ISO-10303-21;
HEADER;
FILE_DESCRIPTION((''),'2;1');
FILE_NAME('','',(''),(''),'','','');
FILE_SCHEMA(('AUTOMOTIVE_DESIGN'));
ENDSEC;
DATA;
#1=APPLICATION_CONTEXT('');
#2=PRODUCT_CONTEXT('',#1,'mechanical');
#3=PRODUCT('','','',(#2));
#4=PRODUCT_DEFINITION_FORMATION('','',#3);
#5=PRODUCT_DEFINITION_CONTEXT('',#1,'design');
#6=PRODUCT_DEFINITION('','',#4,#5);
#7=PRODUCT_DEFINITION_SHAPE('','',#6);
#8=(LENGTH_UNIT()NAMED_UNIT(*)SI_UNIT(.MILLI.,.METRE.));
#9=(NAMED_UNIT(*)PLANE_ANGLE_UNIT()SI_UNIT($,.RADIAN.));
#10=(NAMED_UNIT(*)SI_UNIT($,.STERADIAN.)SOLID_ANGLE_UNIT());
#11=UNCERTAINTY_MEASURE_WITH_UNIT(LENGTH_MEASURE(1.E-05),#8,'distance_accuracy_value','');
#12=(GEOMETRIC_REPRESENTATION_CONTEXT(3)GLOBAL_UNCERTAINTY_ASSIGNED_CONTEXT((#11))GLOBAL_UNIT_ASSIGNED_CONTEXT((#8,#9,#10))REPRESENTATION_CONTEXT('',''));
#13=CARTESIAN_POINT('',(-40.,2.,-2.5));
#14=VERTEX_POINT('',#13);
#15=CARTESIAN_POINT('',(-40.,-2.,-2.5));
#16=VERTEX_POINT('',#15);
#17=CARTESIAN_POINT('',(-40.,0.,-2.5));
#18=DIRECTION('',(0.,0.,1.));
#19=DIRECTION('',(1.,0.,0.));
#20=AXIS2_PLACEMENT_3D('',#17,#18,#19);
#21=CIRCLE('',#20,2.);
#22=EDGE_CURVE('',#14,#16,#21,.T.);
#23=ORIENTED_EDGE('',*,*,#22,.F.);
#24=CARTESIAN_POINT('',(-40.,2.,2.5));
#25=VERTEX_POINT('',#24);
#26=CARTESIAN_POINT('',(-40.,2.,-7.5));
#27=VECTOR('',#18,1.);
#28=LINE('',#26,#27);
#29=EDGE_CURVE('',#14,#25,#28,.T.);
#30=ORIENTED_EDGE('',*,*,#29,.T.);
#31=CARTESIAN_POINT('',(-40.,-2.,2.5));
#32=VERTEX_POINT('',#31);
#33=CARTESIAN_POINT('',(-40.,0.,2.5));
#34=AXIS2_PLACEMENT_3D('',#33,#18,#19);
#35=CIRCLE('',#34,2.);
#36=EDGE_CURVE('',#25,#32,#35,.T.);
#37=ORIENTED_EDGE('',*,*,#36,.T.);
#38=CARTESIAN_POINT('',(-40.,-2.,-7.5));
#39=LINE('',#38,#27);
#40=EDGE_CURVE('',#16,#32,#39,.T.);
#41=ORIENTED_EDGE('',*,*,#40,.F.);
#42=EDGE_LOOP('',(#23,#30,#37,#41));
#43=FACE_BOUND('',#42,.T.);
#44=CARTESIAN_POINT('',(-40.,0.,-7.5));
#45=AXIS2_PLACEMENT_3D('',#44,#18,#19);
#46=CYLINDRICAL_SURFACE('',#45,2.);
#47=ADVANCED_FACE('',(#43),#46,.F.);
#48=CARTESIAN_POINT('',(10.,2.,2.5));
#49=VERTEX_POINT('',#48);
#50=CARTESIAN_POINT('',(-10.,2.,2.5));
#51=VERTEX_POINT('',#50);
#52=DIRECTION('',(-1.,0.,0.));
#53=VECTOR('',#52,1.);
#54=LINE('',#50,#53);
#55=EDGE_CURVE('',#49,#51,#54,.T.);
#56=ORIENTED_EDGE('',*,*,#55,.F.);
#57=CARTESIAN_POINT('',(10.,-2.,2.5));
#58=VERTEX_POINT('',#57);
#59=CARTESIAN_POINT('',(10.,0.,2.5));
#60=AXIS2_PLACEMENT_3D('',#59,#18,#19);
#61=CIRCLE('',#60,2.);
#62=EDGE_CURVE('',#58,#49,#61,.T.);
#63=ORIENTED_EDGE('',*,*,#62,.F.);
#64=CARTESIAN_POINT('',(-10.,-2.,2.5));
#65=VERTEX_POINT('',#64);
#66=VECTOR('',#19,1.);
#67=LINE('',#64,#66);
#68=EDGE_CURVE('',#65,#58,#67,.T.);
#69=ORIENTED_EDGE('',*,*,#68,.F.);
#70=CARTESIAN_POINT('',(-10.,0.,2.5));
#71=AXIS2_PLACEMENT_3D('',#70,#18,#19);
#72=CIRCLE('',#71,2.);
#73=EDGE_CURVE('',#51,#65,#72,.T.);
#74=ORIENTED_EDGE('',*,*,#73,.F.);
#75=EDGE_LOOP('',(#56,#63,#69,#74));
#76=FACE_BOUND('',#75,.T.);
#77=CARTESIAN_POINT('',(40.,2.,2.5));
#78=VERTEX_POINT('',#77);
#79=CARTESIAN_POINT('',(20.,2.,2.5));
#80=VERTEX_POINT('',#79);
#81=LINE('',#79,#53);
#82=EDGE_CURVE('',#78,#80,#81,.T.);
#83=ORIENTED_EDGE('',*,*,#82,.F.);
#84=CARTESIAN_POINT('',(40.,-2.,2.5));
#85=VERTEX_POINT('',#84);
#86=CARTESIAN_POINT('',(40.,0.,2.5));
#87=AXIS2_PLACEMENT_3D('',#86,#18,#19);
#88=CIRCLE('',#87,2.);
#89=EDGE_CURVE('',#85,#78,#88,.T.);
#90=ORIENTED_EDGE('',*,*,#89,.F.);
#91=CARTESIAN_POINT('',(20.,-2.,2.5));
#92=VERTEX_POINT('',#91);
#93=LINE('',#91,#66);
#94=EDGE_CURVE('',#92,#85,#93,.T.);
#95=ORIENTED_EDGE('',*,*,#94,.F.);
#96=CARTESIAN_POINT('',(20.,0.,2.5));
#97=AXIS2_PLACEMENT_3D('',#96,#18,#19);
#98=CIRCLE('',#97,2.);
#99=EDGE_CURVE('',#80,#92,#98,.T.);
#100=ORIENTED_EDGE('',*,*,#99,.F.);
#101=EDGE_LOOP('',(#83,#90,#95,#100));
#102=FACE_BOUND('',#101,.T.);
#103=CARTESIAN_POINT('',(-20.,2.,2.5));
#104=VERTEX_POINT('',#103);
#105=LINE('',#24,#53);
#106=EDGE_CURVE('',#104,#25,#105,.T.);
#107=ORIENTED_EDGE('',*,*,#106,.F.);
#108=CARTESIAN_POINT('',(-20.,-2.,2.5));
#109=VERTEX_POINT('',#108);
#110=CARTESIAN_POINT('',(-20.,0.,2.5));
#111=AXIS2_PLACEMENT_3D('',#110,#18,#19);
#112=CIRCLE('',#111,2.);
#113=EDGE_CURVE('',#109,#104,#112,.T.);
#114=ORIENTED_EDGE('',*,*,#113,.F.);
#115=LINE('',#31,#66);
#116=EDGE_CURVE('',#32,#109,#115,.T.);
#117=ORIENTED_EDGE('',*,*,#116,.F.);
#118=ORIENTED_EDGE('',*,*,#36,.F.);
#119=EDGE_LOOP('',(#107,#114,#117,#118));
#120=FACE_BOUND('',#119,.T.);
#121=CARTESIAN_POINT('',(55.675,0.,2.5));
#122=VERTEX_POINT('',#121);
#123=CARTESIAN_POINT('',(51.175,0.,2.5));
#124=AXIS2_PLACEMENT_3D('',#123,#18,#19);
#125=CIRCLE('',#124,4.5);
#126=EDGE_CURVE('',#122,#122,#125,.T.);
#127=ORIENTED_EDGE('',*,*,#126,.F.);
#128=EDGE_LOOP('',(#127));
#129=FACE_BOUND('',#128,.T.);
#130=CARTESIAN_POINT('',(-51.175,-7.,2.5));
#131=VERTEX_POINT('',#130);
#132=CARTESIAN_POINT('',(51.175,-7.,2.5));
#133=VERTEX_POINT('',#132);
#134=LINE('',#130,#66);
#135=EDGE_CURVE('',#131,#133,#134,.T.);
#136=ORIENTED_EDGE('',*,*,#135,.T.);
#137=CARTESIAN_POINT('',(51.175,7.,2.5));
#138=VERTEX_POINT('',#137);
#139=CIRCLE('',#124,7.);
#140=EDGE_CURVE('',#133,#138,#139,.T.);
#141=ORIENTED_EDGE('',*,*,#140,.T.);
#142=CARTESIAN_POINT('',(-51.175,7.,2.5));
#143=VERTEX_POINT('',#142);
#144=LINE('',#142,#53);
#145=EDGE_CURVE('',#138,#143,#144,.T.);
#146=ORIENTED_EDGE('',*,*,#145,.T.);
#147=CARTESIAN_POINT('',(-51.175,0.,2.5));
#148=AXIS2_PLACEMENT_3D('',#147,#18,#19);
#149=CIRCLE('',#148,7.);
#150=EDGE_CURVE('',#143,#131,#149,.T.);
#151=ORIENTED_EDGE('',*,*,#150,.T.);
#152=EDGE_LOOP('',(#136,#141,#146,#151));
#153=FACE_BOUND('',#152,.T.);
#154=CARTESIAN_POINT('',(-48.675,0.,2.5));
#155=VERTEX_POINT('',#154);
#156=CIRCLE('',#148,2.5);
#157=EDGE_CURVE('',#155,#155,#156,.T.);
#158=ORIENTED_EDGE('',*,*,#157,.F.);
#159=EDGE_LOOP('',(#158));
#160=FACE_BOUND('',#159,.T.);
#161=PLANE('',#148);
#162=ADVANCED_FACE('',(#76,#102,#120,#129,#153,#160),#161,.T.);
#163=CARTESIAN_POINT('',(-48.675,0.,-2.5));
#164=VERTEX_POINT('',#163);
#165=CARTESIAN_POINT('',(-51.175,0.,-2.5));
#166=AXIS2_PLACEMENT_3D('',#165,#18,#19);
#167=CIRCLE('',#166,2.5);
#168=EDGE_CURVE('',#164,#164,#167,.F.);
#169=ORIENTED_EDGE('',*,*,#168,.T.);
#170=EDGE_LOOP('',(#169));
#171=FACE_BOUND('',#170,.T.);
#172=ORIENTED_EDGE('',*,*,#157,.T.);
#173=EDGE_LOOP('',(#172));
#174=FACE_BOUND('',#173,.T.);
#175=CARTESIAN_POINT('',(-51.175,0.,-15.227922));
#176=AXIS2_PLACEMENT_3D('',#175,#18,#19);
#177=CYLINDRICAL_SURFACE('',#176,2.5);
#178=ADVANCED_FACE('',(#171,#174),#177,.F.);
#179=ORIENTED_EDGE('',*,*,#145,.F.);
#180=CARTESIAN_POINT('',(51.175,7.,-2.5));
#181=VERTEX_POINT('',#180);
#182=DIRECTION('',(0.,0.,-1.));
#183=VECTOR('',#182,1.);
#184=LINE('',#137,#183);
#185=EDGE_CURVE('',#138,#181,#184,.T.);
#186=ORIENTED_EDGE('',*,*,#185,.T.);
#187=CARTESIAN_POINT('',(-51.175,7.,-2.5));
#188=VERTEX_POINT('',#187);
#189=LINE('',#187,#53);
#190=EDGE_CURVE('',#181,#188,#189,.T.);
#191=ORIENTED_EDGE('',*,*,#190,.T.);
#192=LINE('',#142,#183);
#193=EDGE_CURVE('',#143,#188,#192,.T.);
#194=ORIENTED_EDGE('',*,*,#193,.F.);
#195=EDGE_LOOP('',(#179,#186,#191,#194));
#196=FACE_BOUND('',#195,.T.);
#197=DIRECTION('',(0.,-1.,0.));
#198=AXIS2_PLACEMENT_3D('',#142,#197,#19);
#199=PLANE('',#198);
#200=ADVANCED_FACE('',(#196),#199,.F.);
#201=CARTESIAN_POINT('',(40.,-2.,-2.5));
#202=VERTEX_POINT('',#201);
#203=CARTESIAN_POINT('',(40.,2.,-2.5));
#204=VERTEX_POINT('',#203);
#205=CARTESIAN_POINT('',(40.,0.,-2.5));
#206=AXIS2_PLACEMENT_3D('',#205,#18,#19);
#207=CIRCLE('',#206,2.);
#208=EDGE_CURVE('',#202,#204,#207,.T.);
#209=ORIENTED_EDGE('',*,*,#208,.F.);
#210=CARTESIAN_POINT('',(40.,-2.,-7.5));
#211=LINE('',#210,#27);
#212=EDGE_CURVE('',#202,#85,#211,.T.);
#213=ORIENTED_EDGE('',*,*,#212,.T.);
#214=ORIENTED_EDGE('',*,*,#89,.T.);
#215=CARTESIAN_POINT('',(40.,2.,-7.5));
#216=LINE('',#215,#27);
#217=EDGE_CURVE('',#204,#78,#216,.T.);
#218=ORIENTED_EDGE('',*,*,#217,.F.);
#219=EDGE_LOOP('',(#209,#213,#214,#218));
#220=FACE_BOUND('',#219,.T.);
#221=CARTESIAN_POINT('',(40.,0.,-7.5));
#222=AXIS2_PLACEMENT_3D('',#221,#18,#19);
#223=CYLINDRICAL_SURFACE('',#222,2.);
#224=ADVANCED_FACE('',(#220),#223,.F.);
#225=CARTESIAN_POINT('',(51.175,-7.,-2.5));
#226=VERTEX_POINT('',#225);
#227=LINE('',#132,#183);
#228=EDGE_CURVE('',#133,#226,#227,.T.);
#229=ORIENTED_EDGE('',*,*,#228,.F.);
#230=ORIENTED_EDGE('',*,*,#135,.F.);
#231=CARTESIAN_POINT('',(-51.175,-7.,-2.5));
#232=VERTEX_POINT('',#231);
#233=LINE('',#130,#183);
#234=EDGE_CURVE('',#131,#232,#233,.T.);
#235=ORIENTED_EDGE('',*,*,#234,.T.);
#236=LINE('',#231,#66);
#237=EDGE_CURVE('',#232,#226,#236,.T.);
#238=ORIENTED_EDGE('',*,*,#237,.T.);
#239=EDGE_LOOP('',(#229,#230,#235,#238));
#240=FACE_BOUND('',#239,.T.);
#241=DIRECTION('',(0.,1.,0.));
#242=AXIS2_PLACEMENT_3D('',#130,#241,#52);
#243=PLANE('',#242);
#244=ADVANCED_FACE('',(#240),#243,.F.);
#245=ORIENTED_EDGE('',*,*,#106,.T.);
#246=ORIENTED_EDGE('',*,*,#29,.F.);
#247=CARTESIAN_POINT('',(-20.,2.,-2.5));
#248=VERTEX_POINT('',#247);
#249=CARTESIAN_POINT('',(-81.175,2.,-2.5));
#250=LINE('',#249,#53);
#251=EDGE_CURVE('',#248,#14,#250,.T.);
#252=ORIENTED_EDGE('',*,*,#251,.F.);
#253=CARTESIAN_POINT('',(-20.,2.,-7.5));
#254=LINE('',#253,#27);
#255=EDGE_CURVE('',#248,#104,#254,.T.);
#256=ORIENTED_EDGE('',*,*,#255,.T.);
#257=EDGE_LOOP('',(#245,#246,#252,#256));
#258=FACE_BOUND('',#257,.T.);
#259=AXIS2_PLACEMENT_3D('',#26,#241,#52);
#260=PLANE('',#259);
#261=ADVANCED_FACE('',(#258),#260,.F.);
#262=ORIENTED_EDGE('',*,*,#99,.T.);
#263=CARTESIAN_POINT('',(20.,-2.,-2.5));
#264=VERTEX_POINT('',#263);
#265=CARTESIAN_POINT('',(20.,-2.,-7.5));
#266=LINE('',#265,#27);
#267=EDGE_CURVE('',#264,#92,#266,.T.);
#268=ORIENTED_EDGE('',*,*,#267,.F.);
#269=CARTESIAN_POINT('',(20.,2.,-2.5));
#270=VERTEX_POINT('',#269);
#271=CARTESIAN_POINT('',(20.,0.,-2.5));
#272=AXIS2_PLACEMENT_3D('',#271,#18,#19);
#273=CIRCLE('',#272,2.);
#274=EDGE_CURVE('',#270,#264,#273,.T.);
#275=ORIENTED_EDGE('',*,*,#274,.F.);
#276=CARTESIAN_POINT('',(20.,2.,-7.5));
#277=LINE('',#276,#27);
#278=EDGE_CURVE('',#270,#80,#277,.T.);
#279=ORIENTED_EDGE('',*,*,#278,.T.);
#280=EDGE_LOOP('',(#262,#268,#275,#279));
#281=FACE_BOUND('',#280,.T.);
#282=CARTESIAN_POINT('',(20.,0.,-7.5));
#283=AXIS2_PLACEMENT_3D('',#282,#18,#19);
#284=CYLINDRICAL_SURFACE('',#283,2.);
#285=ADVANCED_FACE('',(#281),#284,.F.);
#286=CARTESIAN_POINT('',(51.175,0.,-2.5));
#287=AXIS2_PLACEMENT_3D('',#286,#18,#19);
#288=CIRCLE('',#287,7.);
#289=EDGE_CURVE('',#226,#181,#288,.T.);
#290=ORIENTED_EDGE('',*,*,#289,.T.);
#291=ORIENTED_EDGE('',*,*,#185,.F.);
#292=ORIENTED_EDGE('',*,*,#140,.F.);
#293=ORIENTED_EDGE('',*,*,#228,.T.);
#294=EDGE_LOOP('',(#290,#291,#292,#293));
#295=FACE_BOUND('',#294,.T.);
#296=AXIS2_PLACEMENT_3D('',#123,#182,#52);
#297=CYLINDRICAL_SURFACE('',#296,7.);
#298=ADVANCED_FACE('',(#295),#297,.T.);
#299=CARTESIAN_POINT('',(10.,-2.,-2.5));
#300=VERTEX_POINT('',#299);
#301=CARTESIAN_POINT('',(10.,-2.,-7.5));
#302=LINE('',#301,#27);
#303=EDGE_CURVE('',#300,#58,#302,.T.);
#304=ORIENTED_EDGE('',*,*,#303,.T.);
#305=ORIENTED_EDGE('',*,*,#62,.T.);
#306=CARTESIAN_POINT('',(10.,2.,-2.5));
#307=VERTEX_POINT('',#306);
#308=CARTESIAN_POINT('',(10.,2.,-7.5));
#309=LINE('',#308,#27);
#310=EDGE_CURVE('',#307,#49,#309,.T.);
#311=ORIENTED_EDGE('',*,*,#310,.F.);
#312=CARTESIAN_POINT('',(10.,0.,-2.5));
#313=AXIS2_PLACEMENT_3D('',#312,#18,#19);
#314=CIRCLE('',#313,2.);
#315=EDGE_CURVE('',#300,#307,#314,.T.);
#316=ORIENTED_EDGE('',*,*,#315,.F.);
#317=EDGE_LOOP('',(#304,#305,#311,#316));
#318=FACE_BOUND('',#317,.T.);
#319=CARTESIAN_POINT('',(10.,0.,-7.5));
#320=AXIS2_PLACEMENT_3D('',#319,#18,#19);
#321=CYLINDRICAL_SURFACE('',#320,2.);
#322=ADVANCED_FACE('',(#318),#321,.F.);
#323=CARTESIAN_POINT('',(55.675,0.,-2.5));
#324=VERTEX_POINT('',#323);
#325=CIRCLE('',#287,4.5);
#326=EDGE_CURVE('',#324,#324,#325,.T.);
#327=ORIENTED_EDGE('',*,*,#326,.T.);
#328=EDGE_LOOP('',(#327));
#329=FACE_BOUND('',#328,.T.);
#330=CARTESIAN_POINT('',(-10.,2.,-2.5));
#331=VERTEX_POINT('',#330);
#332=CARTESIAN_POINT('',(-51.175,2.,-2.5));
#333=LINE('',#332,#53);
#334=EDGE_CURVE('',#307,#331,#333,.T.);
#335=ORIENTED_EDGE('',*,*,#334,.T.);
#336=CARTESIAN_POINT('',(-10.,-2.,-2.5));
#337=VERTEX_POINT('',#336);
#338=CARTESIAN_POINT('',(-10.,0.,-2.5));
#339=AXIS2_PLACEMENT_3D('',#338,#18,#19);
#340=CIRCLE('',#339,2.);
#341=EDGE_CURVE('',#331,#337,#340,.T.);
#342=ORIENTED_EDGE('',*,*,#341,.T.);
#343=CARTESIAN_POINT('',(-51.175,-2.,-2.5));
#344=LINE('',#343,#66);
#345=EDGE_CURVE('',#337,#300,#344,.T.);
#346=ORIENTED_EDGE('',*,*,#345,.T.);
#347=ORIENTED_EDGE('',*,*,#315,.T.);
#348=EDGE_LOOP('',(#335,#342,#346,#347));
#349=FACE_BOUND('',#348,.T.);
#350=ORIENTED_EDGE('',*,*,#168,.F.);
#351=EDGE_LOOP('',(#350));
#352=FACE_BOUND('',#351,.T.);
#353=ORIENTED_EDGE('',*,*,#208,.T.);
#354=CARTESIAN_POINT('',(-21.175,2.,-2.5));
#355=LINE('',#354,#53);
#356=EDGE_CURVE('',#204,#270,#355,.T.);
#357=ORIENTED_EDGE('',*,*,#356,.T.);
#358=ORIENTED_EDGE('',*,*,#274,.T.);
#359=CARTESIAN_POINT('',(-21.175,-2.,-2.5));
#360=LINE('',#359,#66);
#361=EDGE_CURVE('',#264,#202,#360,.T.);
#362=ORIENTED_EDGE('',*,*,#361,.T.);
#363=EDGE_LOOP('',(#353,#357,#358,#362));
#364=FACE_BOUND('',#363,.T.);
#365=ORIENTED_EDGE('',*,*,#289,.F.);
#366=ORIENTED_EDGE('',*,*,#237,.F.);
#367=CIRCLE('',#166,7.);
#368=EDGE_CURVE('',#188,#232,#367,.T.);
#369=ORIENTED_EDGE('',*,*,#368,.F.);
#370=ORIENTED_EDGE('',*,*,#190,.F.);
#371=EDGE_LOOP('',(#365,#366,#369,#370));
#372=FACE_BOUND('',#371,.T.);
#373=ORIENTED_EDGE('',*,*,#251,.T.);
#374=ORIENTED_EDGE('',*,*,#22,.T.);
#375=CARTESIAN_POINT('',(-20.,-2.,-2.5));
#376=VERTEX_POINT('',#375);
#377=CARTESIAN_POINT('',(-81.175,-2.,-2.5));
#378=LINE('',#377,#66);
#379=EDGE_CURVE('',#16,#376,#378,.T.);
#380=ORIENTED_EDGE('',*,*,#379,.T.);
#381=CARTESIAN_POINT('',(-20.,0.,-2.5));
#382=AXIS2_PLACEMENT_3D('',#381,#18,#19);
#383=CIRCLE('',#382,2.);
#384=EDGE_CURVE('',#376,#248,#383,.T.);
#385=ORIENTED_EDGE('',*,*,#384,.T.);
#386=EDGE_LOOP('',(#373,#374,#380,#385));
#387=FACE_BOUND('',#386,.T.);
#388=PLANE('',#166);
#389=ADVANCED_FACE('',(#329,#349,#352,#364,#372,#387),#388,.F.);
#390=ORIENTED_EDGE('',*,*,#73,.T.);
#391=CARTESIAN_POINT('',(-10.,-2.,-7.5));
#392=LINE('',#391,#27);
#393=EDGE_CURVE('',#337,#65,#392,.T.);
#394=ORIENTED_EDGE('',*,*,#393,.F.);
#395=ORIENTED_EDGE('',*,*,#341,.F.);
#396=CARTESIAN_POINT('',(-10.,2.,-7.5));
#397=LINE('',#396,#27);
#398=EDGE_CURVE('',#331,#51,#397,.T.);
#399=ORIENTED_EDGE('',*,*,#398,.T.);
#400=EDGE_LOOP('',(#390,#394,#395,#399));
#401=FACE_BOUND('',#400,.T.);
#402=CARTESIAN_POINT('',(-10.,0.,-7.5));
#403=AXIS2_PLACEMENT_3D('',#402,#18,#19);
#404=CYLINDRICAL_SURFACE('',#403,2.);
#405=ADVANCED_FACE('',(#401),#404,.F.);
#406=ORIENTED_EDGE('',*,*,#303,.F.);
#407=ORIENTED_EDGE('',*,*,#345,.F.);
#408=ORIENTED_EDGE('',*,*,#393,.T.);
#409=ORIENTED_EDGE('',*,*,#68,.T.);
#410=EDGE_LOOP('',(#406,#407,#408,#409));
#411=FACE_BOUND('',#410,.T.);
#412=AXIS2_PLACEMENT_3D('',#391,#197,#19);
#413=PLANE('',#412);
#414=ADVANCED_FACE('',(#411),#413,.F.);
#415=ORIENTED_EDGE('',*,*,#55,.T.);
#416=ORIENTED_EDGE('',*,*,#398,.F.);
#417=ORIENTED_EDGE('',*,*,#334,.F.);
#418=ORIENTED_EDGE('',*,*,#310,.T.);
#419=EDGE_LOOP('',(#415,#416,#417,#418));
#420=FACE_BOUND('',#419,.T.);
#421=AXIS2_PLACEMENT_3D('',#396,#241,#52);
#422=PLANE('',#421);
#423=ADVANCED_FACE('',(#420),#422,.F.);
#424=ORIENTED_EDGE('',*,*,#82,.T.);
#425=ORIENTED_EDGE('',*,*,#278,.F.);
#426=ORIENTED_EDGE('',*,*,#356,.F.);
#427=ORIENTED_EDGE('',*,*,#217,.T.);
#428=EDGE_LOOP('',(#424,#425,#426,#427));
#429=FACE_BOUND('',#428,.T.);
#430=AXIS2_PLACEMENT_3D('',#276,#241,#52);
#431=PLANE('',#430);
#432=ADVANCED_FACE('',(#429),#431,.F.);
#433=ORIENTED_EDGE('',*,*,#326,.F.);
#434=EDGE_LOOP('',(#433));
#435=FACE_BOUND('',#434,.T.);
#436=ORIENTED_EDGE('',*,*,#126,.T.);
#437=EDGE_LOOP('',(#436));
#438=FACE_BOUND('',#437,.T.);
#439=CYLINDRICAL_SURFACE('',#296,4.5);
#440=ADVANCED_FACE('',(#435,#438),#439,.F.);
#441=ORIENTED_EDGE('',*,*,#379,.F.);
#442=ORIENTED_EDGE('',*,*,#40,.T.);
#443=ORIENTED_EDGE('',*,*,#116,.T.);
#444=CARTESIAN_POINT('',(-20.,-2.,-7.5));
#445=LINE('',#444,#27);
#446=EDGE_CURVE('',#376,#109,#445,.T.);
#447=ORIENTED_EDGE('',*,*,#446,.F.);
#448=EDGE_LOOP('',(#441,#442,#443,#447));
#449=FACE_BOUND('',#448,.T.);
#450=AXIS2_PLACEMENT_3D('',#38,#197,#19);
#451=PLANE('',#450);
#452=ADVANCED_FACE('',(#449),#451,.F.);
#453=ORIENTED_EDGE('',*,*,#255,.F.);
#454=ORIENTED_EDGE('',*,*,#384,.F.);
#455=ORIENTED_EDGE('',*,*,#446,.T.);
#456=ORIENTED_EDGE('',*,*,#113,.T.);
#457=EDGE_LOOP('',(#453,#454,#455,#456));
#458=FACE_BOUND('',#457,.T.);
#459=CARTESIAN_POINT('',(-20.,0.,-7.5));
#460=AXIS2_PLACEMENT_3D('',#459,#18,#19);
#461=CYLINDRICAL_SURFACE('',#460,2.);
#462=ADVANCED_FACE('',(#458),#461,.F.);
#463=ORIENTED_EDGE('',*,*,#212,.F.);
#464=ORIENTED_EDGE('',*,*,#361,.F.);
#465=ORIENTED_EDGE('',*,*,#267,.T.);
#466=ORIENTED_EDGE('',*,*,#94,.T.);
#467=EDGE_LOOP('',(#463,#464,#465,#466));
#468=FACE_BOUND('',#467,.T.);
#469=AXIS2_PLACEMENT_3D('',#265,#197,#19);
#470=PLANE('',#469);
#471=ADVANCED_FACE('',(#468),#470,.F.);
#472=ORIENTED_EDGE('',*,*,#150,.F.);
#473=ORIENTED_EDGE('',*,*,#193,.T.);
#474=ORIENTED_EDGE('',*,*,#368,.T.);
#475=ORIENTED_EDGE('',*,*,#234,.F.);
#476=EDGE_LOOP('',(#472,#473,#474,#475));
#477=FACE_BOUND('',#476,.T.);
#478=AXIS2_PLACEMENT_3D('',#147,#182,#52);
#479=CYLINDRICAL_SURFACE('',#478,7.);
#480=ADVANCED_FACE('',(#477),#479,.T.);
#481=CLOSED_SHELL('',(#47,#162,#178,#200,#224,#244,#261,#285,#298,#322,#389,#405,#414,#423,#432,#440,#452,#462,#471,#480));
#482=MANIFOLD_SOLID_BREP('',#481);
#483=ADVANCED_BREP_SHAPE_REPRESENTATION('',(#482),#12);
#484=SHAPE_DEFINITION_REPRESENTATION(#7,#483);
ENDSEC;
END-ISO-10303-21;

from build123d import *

# Parameters (mm, degrees)
SKETCH_2_R                 = 4.5
EXTRUDE_1_DEPTH            = 2.5
CUT_EXTRUDE_1_DEPTH        = 10
PATTERN_LINEAR_1_COUNT     = 2
PATTERN_LINEAR_1_PITCH     = 30
PATTERN_LINEAR_1_COL_COUNT = 2
PATTERN_LINEAR_1_COL_PITCH = 30
EXTRUDE_START              = -5
SKETCH_5_R                 = 4.5
SKETCH_5_R_2               = 2.5
EXTRUDE_3_DEPTH            = 5


with BuildPart() as part:
    # 草图2 → 凸台-拉伸1 (new, symmetric)
    with BuildSketch(Plane.XY):
        with BuildLine():
            Line((-51.175, 7), (51.175, 7))
            ThreePointArc((51.175, 7), (58.175, 0), (51.175, -7))
            Line((51.175, -7), (-51.175, -7))
            ThreePointArc((-51.175, -7), (-58.175, 0), (-51.175, 7))
        make_face()
        with Locations((51.175, 0)):
            Circle(SKETCH_2_R, mode=Mode.SUBTRACT)
        with Locations((-51.175, 0)):
            Circle(SKETCH_2_R, mode=Mode.SUBTRACT)
    extrude(amount=EXTRUDE_1_DEPTH, both=True)

    # 草图3 → 切除-拉伸1 (cut)
    with BuildSketch(Plane.XY.offset(2.5)):
        with BuildLine():
            Line((-10, 2), (10, 2))
            ThreePointArc((10, 2), (12, 0), (10, -2))
            Line((10, -2), (-10, -2))
            ThreePointArc((-10, -2), (-12, 0), (-10, 2))
        make_face()
    cut_extrude_1 = extrude(amount=-CUT_EXTRUDE_1_DEPTH, mode=Mode.SUBTRACT)

    # 阵列(线性)1: 切除-拉伸1 ×2
    with Locations(*[(-i * PATTERN_LINEAR_1_PITCH, 0, 0) for i in range(1, PATTERN_LINEAR_1_COUNT)]):
        add(cut_extrude_1, mode=Mode.SUBTRACT)

    # 阵列(线性)1 col: 切除-拉伸1 ×2
    with Locations(*[(i * PATTERN_LINEAR_1_COL_PITCH, 0, 0) for i in range(1, PATTERN_LINEAR_1_COL_COUNT)]):
        add(cut_extrude_1, mode=Mode.SUBTRACT)

    # 草图5 → 凸台-拉伸3 (add)
    with BuildSketch(Plane.XY.offset(2.5).offset(EXTRUDE_START)):
        with Locations((-51.175, 0)):
            Circle(SKETCH_5_R)
        with Locations((-51.175, 0)):
            Circle(SKETCH_5_R_2, mode=Mode.SUBTRACT)
    extrude(amount=EXTRUDE_3_DEPTH)


solid = part.part
